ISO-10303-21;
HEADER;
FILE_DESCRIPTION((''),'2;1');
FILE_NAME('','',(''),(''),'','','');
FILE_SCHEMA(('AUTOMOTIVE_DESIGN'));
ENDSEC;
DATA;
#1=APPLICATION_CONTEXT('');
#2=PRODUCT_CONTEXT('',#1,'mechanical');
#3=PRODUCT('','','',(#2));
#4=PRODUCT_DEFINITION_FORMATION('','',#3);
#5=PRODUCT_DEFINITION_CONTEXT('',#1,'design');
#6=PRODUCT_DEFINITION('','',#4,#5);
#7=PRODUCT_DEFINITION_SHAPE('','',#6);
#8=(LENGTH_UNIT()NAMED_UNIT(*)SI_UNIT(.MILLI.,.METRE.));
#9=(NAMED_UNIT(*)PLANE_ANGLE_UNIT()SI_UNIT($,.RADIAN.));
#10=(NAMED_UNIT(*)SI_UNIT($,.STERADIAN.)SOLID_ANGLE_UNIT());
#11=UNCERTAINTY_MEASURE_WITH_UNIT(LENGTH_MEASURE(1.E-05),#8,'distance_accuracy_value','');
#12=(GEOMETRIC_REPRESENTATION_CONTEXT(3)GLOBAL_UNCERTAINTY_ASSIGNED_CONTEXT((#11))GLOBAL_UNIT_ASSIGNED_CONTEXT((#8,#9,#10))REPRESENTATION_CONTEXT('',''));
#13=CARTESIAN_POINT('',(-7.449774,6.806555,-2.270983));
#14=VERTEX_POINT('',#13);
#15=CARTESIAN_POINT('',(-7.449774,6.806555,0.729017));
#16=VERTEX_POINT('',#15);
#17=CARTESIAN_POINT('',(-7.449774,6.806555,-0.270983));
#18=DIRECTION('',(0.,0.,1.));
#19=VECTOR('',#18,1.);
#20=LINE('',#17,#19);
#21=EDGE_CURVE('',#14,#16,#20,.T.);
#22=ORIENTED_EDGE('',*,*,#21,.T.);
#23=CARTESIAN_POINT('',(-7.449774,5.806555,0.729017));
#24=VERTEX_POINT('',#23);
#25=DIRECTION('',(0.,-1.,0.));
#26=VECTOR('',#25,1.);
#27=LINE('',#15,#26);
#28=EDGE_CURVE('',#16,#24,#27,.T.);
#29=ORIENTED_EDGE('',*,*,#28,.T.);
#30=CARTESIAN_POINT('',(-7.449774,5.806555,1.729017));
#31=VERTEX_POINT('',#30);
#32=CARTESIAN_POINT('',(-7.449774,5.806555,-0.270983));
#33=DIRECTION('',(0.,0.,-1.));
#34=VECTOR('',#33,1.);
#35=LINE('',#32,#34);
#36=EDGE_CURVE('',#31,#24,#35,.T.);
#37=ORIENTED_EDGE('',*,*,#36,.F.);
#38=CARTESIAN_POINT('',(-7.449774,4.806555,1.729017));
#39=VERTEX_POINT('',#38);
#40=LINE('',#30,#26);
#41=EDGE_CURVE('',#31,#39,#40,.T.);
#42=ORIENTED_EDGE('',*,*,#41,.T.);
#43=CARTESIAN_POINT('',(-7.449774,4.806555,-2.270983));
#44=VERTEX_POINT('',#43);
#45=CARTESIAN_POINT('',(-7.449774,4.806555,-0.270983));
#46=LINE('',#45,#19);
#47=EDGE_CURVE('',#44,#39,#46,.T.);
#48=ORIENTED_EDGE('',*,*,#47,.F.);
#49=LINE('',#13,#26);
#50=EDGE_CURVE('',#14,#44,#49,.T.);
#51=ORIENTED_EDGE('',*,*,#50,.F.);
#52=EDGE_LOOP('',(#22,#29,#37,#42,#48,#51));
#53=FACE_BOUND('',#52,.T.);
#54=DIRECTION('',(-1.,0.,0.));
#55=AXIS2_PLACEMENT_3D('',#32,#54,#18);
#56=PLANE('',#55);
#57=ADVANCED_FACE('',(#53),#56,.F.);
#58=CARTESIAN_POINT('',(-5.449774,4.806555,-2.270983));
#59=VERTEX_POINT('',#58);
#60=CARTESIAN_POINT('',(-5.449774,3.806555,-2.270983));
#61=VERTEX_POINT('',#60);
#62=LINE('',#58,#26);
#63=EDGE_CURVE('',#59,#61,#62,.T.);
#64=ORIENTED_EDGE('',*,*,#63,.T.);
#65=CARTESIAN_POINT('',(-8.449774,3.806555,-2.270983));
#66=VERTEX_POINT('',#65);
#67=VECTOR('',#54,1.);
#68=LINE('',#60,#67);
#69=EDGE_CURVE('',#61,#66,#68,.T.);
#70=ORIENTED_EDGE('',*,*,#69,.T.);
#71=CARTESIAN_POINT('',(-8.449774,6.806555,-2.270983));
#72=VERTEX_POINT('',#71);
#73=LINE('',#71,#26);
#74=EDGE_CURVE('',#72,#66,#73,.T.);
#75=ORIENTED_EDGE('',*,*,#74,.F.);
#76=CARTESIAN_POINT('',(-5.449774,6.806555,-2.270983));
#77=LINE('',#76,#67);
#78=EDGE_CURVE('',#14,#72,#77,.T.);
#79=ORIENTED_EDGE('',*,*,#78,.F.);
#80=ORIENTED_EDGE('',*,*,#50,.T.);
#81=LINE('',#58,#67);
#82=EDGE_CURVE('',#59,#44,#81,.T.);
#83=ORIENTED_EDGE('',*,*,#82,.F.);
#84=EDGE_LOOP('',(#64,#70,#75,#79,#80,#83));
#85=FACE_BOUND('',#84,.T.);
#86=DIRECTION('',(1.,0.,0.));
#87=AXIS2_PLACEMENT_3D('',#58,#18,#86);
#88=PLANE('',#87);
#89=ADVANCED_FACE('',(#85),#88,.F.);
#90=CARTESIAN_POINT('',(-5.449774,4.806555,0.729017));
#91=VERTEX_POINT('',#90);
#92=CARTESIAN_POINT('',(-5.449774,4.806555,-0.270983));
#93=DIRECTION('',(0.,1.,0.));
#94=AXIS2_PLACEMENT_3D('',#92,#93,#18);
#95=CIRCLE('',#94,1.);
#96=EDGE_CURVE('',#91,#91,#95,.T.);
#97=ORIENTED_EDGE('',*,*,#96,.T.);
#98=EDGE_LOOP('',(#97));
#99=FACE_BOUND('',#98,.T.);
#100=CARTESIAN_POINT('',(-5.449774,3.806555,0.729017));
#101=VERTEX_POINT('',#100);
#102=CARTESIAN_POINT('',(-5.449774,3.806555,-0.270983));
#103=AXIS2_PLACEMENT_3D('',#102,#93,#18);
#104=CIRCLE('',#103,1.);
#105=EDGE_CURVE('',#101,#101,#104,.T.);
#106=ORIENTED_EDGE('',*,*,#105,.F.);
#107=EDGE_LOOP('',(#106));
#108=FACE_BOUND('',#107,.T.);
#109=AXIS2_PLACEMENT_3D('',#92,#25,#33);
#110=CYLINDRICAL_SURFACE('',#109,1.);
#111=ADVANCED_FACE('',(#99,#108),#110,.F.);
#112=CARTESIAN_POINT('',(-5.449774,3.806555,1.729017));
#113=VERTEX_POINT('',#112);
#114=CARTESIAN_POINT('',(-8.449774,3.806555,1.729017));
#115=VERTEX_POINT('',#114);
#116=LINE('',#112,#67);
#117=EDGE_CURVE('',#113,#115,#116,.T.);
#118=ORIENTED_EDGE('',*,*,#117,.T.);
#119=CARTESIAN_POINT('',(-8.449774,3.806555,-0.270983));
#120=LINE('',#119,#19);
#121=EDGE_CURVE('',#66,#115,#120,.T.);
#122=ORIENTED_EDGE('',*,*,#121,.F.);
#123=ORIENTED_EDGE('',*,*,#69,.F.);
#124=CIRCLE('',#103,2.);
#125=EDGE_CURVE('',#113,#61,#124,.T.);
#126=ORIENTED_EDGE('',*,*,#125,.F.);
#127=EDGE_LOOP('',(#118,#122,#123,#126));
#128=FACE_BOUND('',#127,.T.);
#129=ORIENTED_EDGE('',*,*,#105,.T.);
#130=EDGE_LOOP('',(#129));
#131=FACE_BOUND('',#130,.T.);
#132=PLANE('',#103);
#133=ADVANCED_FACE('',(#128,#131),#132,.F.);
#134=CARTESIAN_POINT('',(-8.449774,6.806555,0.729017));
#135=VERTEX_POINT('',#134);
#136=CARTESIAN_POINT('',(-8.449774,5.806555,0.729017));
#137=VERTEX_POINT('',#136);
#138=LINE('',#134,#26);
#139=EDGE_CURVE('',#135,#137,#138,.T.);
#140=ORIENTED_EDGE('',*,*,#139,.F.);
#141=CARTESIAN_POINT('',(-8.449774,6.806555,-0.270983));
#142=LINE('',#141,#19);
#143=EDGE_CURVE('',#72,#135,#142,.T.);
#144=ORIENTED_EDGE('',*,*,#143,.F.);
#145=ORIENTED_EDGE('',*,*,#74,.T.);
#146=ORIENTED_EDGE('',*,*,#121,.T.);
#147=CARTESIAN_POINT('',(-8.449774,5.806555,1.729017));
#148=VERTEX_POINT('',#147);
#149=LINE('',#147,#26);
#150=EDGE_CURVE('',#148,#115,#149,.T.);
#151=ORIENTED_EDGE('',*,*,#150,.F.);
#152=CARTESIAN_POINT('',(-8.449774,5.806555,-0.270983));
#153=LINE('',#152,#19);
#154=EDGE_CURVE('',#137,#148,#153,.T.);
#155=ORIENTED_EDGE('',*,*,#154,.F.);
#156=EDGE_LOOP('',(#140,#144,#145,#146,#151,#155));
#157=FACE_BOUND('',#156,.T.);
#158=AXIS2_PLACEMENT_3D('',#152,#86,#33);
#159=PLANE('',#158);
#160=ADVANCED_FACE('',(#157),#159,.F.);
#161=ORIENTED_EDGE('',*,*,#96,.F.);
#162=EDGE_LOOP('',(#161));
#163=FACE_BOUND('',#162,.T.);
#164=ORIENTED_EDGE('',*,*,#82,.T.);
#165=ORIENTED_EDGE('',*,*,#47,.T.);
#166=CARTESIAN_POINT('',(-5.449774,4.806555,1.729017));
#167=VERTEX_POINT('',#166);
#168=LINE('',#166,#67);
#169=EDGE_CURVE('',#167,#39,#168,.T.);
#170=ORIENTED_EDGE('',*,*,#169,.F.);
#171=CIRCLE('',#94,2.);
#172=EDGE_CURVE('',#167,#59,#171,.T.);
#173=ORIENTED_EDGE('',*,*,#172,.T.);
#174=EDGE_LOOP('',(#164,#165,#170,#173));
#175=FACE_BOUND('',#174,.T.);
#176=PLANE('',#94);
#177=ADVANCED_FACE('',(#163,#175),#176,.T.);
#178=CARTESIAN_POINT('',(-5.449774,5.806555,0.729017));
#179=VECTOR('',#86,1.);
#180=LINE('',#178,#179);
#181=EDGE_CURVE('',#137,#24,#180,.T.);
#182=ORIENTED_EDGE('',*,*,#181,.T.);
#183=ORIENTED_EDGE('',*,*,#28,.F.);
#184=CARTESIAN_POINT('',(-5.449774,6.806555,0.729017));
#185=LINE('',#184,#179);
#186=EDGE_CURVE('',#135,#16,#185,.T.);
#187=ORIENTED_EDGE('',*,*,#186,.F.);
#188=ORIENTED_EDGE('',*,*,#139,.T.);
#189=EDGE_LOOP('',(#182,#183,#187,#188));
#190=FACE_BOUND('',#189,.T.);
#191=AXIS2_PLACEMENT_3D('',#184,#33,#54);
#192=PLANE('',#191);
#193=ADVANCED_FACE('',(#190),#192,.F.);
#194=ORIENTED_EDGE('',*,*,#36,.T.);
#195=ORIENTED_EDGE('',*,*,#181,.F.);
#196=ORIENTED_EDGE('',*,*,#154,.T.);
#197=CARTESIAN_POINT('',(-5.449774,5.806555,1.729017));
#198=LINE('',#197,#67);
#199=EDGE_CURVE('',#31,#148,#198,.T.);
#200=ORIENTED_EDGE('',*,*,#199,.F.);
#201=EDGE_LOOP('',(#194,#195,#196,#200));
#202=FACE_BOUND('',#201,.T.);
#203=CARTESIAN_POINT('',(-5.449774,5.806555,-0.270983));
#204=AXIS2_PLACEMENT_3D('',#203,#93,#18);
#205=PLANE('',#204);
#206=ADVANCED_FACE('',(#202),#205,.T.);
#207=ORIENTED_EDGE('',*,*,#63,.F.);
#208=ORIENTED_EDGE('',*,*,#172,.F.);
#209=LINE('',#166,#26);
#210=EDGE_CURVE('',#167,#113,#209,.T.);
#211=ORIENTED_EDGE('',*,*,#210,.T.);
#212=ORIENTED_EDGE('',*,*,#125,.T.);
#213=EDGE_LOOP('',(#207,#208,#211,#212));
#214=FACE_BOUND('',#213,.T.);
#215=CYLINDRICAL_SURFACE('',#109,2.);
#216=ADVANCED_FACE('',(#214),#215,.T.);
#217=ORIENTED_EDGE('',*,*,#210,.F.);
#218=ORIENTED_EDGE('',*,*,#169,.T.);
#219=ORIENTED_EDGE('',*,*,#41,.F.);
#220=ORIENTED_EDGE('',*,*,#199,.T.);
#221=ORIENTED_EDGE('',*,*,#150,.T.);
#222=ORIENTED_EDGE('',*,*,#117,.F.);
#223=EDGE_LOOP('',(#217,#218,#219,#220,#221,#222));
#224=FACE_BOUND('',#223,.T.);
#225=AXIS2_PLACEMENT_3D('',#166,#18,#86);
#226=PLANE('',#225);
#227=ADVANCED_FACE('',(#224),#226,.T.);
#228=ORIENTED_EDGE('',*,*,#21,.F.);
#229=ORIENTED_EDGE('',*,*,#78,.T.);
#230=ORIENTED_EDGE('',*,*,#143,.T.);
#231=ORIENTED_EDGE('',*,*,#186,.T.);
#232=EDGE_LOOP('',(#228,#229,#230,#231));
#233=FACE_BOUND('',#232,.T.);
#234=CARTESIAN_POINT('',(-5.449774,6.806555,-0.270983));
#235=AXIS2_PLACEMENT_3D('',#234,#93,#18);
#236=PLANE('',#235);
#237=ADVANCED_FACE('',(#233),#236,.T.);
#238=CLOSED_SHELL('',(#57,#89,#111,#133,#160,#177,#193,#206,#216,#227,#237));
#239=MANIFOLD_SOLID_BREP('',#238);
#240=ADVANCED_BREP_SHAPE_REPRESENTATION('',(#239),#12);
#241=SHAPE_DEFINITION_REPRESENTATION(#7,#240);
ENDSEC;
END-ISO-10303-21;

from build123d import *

# Parameters (mm, degrees)
SKETCH_1_R      = 5
EXTRUDE_1_DEPTH = 5
SKETCH_1_3_W    = 5
SKETCH_1_3_H    = 5
EXTRUDE_2_DEPTH = 10
SKETCH_1_4_W    = 5
SKETCH_1_4_H    = 15
EXTRUDE_3_DEPTH = 15
SCALE_1_SCALE   = 0.2


with BuildPart() as part:
    # 草圖1 → 填料-伸長1 (new body)
    with BuildSketch(Plane(origin=(0, 0, 0), x_dir=(1, 0, 0), z_dir=(0, 1, 0))):
        with BuildLine():
            ThreePointArc((0, -10), (10, 0), (0, 10))
            Line((0, 10), (-10, 10))
            Line((-10, 10), (-10, -5))
            Line((-10, -5), (-10, -10))
            Line((-10, -10), (0, -10))
        make_face()
        Circle(SKETCH_1_R, mode=Mode.SUBTRACT)
    extrude(amount=EXTRUDE_1_DEPTH)

    # 草圖1<3> → 填料-伸長2 (add)
    with BuildSketch(Plane(origin=(0, 0, 0), x_dir=(1, 0, 0), z_dir=(0, 1, 0))):
        with Locations((-12.5, -7.5)):
            Rectangle(SKETCH_1_3_W, SKETCH_1_3_H)
    extrude(amount=EXTRUDE_2_DEPTH)

    # 草圖1<4> → 填料-伸長3 (add)
    with BuildSketch(Plane(origin=(0, 0, 0), x_dir=(1, 0, 0), z_dir=(0, 1, 0))):
        with Locations((-12.5, 2.5)):
            Rectangle(SKETCH_1_4_W, SKETCH_1_4_H)
    extrude(amount=EXTRUDE_3_DEPTH)


with BuildPart() as part_1:
    # 縮放比例1: scaled about (-6.812216975, 4.758193472, -0.338729021)
    add(part.part.scale(SCALE_1_SCALE).moved(Location((-5.44977358, 3.806554778, -0.270983217))))


solid = part_1.part
